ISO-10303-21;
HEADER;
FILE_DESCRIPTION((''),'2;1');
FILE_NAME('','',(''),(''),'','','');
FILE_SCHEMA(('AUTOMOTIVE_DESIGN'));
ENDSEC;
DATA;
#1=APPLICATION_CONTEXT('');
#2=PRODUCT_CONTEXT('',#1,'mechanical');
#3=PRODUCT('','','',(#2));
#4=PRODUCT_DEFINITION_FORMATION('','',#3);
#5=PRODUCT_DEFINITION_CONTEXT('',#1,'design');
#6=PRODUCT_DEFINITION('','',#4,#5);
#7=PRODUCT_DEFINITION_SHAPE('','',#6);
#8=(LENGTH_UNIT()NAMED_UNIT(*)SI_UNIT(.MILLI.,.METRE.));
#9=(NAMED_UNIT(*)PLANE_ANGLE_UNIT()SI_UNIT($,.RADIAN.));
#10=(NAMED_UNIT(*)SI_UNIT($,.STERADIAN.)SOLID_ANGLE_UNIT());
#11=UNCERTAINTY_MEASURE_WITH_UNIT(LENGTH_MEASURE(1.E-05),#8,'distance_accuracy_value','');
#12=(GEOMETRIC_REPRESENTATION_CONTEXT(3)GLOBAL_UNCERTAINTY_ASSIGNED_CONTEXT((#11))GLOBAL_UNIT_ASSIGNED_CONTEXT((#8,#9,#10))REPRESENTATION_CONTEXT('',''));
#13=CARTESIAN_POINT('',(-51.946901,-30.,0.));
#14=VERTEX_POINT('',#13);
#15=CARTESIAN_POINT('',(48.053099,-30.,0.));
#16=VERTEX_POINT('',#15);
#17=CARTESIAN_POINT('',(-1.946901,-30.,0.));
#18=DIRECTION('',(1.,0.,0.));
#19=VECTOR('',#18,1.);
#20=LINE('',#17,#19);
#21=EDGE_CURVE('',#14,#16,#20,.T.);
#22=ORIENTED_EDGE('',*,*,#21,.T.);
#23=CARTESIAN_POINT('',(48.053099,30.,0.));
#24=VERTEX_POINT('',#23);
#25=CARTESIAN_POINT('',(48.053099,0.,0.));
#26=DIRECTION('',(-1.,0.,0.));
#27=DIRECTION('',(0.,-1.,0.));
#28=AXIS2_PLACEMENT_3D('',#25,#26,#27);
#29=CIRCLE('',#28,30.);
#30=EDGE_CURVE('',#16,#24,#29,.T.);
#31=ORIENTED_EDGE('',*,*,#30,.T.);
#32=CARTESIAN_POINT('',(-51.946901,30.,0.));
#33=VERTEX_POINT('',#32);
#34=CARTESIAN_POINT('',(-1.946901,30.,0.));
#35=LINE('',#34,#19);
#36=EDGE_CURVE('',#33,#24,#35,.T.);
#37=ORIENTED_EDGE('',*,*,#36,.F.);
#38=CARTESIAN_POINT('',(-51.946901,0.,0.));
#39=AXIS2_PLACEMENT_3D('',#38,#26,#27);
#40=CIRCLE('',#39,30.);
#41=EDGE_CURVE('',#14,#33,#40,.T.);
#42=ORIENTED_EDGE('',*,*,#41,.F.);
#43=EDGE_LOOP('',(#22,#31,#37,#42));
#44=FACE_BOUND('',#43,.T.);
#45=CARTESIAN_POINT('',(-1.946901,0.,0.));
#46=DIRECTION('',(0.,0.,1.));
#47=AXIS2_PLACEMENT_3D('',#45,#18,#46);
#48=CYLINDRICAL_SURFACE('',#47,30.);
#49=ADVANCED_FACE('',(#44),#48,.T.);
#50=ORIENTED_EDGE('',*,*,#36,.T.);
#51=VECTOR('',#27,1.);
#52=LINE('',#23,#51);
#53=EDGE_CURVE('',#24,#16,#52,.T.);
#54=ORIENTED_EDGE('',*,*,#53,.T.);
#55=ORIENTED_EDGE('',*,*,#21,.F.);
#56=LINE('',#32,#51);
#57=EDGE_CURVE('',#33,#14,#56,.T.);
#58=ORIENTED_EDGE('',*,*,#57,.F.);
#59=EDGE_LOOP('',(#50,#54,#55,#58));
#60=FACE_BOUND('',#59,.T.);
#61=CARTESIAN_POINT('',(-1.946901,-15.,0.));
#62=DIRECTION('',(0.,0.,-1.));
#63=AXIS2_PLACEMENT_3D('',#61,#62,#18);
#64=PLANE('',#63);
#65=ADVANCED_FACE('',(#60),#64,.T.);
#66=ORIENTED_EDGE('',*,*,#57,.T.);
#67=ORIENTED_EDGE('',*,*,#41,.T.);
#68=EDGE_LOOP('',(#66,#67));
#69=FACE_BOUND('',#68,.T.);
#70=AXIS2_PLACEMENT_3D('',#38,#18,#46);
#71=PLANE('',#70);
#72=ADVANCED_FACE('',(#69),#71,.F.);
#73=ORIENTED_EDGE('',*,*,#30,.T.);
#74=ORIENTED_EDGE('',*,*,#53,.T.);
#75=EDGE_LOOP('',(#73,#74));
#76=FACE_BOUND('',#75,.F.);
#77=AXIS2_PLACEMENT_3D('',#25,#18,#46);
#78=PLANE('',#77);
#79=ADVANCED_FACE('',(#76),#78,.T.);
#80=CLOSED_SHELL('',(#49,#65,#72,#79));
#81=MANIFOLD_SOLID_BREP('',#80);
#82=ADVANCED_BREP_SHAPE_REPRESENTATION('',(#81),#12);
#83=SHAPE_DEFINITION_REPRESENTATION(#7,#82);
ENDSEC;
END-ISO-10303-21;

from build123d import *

# Parameters (mm, degrees)
F0_W     = 100
F0_H     = 30
F1_ANGLE = -180


with BuildPart() as f1:
    # F0 (on Front) → F1 (revolve, symmetric)
    with BuildSketch(Plane.XZ) as f1_sk:
        with Locations((-1.946901, 15)):
            Rectangle(F0_W, F0_H)
    revolve(axis=Axis((-1.946901, 0, 0), (1, 0, 0)), revolution_arc=F1_ANGLE / 2)
    revolve(f1_sk.sketch, axis=Axis((-1.946901, 0, 0), (-1, 0, 0)), revolution_arc=F1_ANGLE / 2)


solid = f1.part
